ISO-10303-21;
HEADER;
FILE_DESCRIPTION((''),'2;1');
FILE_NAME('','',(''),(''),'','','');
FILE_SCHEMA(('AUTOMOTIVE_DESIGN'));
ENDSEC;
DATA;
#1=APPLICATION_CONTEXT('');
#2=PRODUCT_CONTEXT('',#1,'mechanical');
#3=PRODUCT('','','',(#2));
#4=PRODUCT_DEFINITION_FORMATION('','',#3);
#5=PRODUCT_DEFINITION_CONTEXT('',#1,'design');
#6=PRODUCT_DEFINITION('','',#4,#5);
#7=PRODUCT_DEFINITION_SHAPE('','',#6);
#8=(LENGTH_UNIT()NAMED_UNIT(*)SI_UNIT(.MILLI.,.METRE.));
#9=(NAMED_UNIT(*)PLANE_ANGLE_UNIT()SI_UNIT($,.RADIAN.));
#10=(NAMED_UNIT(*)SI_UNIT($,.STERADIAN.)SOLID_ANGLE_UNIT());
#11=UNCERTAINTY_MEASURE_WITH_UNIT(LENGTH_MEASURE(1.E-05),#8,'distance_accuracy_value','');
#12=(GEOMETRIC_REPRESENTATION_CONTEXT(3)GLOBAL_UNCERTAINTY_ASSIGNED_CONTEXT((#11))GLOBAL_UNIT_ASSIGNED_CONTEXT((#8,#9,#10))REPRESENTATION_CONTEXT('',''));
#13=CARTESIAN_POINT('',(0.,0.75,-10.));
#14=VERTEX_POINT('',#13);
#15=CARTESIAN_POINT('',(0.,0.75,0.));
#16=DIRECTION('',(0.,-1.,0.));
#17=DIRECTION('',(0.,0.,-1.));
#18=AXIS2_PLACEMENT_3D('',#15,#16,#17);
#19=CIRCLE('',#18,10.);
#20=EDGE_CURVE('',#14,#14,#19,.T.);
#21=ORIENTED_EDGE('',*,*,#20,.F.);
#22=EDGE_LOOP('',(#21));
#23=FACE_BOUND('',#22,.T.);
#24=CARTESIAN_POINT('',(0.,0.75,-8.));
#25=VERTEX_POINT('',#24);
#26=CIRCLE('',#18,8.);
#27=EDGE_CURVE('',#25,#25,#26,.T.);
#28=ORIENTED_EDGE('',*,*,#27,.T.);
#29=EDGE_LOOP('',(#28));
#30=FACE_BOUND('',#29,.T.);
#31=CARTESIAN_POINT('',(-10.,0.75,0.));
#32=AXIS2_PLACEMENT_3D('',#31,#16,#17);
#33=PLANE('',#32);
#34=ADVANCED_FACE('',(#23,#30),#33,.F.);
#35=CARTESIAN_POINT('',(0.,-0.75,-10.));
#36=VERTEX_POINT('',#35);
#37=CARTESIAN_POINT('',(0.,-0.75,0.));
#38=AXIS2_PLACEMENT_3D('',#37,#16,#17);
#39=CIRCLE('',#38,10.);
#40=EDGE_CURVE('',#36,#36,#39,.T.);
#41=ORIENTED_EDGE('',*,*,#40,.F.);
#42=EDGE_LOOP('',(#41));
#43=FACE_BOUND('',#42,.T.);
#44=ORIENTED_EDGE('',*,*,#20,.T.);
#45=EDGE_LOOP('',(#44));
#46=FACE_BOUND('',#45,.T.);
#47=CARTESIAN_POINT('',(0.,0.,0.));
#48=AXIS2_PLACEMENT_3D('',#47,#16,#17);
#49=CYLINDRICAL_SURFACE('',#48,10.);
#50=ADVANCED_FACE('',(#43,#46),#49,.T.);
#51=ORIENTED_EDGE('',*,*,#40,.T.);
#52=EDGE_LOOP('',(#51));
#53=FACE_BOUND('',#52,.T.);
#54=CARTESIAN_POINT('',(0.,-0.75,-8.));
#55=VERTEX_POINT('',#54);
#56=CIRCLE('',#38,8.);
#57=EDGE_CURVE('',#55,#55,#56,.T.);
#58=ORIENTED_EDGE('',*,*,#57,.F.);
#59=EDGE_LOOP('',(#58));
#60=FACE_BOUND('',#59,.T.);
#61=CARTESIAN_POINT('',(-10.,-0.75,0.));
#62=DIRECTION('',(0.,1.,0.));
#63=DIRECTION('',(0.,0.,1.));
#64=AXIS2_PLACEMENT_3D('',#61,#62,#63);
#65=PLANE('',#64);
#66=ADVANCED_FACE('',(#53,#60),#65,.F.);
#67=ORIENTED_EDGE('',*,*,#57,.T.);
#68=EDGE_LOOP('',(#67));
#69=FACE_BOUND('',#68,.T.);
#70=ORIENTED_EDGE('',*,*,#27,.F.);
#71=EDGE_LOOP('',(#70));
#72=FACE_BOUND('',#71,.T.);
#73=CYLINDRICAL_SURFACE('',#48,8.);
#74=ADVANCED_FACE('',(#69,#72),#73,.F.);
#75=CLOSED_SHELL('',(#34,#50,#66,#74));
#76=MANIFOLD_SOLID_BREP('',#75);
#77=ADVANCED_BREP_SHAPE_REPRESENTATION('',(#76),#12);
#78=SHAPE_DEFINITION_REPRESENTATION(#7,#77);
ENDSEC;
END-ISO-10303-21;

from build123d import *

# Parameters (mm, degrees)
SKETCH1_W = 2
SKETCH1_H = 1.5


with BuildPart() as part:
    # Sketch1 → Revolve1 (revolve)
    with BuildSketch(Plane.XY, mode=Mode.PRIVATE) as revolve1_sk:
        with Locations((-9, 0)):
            Rectangle(SKETCH1_W, SKETCH1_H)
    revolve(revolve1_sk.sketch.rotate(Axis((0, 0, 0), (0, 1, 0)), 270), axis=Axis((0, 0, 0), (0, 1, 0)))


solid = part.part
